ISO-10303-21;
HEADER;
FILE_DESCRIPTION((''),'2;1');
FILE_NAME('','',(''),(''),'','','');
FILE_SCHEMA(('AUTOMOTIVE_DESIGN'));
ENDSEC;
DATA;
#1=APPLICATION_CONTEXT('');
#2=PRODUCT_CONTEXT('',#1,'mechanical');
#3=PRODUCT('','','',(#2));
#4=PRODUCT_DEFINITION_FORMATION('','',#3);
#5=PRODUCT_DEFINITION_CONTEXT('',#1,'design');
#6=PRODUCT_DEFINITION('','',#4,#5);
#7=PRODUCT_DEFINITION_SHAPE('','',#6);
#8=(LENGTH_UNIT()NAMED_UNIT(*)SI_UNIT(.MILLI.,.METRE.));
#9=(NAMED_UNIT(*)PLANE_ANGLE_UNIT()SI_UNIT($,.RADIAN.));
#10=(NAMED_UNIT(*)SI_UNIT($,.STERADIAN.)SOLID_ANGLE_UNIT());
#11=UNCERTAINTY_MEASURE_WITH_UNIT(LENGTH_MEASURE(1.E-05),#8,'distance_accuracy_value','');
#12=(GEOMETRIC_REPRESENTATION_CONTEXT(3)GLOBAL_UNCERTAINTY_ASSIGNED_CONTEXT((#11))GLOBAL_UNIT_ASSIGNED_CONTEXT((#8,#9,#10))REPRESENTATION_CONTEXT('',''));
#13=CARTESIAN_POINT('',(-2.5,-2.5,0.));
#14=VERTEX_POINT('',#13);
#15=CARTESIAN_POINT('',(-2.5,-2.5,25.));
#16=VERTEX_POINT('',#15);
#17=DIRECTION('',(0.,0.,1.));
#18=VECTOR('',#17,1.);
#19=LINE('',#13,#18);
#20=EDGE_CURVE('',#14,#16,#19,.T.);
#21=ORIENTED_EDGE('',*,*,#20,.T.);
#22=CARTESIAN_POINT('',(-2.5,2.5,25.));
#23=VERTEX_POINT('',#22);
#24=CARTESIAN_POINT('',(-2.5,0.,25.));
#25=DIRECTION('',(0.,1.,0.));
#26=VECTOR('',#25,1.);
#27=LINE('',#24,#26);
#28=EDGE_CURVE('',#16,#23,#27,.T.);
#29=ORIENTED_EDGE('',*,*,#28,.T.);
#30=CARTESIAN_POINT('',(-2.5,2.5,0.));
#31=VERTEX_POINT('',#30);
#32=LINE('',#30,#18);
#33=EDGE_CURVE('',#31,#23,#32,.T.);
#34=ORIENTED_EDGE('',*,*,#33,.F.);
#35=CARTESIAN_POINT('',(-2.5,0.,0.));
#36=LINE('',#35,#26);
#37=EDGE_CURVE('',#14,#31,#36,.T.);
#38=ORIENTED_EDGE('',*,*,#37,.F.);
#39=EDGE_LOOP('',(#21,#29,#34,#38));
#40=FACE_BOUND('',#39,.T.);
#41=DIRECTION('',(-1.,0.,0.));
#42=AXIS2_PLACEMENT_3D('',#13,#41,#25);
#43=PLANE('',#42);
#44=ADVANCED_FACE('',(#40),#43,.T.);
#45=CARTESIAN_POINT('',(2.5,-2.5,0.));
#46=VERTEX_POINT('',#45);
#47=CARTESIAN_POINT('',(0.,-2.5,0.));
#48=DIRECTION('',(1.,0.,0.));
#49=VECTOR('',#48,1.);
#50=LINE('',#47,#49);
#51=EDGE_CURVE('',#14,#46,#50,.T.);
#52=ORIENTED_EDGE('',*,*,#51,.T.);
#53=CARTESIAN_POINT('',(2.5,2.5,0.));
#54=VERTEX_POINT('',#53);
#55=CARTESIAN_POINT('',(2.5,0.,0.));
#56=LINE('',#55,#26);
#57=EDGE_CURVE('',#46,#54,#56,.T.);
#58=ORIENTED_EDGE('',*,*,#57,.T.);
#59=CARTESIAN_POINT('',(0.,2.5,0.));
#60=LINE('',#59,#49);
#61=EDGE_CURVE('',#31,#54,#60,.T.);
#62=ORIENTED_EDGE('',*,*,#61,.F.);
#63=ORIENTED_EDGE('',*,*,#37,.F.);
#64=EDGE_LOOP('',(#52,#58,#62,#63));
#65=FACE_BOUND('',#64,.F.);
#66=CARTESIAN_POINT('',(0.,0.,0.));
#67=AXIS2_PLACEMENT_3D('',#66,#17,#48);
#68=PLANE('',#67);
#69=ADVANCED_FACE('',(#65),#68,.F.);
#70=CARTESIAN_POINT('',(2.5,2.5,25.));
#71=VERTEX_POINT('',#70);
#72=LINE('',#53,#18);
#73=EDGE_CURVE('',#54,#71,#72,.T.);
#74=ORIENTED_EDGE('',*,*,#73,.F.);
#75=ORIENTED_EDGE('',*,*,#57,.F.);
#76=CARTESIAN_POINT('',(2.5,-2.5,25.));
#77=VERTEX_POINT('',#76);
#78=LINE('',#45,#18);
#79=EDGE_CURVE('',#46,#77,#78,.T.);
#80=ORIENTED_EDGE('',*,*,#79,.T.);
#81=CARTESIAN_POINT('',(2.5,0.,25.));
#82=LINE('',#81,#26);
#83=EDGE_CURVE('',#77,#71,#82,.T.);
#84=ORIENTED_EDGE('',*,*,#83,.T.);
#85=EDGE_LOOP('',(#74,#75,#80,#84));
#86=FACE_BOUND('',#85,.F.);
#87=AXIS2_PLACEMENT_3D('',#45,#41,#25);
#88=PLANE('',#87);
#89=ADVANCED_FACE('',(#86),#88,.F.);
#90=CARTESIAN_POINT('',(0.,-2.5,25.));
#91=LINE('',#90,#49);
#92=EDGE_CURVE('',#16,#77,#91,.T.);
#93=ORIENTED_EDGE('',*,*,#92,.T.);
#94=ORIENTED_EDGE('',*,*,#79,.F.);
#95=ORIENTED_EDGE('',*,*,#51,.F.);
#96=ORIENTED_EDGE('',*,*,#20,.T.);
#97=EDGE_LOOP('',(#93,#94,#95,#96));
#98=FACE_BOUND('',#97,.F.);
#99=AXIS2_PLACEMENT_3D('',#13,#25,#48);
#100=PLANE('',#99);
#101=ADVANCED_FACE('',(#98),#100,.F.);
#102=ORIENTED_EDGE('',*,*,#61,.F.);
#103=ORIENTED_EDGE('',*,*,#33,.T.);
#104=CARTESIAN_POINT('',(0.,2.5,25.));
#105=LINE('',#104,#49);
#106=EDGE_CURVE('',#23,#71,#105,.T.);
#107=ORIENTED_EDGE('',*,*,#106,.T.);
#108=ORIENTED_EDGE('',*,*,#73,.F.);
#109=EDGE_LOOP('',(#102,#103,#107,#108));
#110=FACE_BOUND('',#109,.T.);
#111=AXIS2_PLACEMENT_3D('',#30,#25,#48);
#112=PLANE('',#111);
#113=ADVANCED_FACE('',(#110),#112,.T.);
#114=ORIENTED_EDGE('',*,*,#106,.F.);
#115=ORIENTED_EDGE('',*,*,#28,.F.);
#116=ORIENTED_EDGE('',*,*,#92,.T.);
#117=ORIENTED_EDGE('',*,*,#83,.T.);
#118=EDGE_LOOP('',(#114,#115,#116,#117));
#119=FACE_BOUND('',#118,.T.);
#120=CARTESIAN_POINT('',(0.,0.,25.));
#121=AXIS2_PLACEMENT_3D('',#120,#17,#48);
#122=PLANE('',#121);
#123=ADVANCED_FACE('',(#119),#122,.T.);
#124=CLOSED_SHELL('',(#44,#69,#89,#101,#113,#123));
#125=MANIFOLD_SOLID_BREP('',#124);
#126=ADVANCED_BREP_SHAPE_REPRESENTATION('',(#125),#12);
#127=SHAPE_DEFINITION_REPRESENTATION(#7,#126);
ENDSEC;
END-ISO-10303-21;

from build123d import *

# Parameters (mm, degrees)
SKETCH_W  = 5
SKETCH_H  = 5
PAD_DEPTH = 25


with BuildPart() as part:
    # Sketch → Pad (new body)
    with BuildSketch(Plane.XY):
        Rectangle(SKETCH_W, SKETCH_H)
    extrude(amount=PAD_DEPTH)


solid = part.part
